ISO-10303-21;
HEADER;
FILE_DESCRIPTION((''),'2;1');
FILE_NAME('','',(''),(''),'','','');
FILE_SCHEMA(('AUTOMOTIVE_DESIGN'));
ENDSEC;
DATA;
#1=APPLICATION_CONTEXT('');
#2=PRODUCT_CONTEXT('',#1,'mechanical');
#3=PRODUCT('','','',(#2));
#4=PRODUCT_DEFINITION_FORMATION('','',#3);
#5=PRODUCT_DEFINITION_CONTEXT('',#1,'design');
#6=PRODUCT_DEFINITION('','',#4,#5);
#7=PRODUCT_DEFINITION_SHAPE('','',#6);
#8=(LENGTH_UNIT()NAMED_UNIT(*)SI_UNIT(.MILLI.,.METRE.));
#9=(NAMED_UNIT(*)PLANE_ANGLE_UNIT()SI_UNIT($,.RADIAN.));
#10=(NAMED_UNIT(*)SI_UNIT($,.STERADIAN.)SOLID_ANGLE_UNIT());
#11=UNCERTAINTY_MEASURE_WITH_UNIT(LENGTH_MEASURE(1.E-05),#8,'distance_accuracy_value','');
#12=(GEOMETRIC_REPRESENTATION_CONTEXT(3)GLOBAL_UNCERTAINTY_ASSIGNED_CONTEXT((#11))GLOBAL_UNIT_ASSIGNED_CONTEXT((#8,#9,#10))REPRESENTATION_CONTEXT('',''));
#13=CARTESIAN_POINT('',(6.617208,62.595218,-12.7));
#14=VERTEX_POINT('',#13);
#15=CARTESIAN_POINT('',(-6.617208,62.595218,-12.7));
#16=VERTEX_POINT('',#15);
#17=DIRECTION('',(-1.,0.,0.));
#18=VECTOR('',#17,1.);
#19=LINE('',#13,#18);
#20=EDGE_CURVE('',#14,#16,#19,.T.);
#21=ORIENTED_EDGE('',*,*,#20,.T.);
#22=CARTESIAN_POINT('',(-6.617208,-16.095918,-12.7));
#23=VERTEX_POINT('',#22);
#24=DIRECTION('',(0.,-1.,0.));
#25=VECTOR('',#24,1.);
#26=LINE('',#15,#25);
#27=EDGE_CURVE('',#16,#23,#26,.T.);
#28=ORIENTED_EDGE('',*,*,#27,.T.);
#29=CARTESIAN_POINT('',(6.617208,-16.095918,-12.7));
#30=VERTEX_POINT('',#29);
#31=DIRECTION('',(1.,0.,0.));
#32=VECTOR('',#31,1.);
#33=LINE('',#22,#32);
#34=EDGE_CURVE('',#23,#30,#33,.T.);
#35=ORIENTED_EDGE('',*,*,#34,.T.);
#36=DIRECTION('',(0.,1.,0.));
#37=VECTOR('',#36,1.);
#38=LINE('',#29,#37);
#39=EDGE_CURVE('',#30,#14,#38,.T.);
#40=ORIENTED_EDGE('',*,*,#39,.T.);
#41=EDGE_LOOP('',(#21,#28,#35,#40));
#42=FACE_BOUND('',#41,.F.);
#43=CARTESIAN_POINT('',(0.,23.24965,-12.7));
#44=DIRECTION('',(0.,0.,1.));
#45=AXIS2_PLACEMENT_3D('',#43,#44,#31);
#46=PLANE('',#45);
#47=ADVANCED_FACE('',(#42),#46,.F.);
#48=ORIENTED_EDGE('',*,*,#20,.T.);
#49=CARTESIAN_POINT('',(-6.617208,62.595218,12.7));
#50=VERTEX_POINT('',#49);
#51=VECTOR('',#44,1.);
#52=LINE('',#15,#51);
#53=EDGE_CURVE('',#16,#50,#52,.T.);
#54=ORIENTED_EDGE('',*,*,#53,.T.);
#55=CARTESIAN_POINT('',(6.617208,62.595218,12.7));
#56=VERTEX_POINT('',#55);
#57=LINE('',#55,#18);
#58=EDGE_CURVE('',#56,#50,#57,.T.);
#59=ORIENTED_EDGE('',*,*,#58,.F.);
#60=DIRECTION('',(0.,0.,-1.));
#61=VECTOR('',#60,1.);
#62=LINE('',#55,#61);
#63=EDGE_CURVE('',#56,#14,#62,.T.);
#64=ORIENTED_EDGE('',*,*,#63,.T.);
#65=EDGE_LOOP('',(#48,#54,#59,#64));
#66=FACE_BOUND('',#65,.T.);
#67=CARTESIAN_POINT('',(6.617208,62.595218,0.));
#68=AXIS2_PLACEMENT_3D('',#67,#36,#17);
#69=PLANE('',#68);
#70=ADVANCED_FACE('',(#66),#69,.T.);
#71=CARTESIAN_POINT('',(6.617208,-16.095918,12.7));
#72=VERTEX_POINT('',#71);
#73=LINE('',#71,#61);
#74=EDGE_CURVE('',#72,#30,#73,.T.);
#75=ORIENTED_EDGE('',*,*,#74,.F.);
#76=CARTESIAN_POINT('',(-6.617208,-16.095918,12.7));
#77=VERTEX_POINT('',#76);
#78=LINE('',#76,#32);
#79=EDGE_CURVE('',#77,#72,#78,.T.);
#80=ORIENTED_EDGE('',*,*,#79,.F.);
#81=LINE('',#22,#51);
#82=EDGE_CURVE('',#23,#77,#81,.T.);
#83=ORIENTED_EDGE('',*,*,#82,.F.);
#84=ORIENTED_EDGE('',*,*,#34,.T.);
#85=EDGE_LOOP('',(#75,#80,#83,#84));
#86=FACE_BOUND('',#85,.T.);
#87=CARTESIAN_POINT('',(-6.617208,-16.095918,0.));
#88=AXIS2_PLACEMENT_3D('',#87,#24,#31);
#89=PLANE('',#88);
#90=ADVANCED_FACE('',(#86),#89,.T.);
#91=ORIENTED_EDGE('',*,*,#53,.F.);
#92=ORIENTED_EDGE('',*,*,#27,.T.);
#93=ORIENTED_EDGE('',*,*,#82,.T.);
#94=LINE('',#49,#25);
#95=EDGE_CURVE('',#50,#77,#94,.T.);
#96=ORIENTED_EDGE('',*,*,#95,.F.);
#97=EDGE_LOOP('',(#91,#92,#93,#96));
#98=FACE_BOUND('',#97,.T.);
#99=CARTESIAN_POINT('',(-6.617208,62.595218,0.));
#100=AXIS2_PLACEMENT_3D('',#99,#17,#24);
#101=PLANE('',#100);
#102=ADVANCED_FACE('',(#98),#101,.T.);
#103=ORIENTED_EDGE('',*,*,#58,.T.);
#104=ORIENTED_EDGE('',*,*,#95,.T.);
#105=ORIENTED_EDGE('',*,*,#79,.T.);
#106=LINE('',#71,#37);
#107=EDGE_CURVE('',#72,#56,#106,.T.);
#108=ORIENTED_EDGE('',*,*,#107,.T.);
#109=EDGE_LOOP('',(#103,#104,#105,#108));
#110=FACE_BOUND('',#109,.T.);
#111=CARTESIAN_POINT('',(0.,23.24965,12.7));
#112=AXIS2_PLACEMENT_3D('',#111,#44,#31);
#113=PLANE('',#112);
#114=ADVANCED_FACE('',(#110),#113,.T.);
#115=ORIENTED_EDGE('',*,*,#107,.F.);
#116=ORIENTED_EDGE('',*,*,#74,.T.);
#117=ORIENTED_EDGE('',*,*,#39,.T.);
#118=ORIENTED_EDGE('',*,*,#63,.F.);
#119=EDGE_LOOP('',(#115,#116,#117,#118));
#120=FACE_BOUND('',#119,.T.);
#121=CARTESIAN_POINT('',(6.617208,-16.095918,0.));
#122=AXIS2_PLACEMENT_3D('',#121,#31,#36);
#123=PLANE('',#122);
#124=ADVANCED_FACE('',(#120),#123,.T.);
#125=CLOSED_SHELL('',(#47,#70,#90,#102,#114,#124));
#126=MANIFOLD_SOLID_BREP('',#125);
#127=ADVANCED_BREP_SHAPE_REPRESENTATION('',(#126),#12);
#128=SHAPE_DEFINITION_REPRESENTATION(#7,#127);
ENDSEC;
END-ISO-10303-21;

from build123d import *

# Parameters (mm, degrees)
F1_DEPTH = 12.7


with BuildPart() as f1:
    # F0 (on Top) → F1 (new body, symmetric)
    with BuildSketch(Plane.XY):
        Polygon((6.6172075458, 62.59521842), (-6.6172075458, 62.59521842), (-6.6172075458, 57.2299174964), (-6.6172075458, 45.0685583055), (-6.6172075458, -16.0959176719), (6.6172075458, -16.0959176719), (6.6172075458, 45.0685583055), (6.6172075458, 57.2299174964), align=None)
    extrude(amount=F1_DEPTH, both=True)


solid = f1.part
